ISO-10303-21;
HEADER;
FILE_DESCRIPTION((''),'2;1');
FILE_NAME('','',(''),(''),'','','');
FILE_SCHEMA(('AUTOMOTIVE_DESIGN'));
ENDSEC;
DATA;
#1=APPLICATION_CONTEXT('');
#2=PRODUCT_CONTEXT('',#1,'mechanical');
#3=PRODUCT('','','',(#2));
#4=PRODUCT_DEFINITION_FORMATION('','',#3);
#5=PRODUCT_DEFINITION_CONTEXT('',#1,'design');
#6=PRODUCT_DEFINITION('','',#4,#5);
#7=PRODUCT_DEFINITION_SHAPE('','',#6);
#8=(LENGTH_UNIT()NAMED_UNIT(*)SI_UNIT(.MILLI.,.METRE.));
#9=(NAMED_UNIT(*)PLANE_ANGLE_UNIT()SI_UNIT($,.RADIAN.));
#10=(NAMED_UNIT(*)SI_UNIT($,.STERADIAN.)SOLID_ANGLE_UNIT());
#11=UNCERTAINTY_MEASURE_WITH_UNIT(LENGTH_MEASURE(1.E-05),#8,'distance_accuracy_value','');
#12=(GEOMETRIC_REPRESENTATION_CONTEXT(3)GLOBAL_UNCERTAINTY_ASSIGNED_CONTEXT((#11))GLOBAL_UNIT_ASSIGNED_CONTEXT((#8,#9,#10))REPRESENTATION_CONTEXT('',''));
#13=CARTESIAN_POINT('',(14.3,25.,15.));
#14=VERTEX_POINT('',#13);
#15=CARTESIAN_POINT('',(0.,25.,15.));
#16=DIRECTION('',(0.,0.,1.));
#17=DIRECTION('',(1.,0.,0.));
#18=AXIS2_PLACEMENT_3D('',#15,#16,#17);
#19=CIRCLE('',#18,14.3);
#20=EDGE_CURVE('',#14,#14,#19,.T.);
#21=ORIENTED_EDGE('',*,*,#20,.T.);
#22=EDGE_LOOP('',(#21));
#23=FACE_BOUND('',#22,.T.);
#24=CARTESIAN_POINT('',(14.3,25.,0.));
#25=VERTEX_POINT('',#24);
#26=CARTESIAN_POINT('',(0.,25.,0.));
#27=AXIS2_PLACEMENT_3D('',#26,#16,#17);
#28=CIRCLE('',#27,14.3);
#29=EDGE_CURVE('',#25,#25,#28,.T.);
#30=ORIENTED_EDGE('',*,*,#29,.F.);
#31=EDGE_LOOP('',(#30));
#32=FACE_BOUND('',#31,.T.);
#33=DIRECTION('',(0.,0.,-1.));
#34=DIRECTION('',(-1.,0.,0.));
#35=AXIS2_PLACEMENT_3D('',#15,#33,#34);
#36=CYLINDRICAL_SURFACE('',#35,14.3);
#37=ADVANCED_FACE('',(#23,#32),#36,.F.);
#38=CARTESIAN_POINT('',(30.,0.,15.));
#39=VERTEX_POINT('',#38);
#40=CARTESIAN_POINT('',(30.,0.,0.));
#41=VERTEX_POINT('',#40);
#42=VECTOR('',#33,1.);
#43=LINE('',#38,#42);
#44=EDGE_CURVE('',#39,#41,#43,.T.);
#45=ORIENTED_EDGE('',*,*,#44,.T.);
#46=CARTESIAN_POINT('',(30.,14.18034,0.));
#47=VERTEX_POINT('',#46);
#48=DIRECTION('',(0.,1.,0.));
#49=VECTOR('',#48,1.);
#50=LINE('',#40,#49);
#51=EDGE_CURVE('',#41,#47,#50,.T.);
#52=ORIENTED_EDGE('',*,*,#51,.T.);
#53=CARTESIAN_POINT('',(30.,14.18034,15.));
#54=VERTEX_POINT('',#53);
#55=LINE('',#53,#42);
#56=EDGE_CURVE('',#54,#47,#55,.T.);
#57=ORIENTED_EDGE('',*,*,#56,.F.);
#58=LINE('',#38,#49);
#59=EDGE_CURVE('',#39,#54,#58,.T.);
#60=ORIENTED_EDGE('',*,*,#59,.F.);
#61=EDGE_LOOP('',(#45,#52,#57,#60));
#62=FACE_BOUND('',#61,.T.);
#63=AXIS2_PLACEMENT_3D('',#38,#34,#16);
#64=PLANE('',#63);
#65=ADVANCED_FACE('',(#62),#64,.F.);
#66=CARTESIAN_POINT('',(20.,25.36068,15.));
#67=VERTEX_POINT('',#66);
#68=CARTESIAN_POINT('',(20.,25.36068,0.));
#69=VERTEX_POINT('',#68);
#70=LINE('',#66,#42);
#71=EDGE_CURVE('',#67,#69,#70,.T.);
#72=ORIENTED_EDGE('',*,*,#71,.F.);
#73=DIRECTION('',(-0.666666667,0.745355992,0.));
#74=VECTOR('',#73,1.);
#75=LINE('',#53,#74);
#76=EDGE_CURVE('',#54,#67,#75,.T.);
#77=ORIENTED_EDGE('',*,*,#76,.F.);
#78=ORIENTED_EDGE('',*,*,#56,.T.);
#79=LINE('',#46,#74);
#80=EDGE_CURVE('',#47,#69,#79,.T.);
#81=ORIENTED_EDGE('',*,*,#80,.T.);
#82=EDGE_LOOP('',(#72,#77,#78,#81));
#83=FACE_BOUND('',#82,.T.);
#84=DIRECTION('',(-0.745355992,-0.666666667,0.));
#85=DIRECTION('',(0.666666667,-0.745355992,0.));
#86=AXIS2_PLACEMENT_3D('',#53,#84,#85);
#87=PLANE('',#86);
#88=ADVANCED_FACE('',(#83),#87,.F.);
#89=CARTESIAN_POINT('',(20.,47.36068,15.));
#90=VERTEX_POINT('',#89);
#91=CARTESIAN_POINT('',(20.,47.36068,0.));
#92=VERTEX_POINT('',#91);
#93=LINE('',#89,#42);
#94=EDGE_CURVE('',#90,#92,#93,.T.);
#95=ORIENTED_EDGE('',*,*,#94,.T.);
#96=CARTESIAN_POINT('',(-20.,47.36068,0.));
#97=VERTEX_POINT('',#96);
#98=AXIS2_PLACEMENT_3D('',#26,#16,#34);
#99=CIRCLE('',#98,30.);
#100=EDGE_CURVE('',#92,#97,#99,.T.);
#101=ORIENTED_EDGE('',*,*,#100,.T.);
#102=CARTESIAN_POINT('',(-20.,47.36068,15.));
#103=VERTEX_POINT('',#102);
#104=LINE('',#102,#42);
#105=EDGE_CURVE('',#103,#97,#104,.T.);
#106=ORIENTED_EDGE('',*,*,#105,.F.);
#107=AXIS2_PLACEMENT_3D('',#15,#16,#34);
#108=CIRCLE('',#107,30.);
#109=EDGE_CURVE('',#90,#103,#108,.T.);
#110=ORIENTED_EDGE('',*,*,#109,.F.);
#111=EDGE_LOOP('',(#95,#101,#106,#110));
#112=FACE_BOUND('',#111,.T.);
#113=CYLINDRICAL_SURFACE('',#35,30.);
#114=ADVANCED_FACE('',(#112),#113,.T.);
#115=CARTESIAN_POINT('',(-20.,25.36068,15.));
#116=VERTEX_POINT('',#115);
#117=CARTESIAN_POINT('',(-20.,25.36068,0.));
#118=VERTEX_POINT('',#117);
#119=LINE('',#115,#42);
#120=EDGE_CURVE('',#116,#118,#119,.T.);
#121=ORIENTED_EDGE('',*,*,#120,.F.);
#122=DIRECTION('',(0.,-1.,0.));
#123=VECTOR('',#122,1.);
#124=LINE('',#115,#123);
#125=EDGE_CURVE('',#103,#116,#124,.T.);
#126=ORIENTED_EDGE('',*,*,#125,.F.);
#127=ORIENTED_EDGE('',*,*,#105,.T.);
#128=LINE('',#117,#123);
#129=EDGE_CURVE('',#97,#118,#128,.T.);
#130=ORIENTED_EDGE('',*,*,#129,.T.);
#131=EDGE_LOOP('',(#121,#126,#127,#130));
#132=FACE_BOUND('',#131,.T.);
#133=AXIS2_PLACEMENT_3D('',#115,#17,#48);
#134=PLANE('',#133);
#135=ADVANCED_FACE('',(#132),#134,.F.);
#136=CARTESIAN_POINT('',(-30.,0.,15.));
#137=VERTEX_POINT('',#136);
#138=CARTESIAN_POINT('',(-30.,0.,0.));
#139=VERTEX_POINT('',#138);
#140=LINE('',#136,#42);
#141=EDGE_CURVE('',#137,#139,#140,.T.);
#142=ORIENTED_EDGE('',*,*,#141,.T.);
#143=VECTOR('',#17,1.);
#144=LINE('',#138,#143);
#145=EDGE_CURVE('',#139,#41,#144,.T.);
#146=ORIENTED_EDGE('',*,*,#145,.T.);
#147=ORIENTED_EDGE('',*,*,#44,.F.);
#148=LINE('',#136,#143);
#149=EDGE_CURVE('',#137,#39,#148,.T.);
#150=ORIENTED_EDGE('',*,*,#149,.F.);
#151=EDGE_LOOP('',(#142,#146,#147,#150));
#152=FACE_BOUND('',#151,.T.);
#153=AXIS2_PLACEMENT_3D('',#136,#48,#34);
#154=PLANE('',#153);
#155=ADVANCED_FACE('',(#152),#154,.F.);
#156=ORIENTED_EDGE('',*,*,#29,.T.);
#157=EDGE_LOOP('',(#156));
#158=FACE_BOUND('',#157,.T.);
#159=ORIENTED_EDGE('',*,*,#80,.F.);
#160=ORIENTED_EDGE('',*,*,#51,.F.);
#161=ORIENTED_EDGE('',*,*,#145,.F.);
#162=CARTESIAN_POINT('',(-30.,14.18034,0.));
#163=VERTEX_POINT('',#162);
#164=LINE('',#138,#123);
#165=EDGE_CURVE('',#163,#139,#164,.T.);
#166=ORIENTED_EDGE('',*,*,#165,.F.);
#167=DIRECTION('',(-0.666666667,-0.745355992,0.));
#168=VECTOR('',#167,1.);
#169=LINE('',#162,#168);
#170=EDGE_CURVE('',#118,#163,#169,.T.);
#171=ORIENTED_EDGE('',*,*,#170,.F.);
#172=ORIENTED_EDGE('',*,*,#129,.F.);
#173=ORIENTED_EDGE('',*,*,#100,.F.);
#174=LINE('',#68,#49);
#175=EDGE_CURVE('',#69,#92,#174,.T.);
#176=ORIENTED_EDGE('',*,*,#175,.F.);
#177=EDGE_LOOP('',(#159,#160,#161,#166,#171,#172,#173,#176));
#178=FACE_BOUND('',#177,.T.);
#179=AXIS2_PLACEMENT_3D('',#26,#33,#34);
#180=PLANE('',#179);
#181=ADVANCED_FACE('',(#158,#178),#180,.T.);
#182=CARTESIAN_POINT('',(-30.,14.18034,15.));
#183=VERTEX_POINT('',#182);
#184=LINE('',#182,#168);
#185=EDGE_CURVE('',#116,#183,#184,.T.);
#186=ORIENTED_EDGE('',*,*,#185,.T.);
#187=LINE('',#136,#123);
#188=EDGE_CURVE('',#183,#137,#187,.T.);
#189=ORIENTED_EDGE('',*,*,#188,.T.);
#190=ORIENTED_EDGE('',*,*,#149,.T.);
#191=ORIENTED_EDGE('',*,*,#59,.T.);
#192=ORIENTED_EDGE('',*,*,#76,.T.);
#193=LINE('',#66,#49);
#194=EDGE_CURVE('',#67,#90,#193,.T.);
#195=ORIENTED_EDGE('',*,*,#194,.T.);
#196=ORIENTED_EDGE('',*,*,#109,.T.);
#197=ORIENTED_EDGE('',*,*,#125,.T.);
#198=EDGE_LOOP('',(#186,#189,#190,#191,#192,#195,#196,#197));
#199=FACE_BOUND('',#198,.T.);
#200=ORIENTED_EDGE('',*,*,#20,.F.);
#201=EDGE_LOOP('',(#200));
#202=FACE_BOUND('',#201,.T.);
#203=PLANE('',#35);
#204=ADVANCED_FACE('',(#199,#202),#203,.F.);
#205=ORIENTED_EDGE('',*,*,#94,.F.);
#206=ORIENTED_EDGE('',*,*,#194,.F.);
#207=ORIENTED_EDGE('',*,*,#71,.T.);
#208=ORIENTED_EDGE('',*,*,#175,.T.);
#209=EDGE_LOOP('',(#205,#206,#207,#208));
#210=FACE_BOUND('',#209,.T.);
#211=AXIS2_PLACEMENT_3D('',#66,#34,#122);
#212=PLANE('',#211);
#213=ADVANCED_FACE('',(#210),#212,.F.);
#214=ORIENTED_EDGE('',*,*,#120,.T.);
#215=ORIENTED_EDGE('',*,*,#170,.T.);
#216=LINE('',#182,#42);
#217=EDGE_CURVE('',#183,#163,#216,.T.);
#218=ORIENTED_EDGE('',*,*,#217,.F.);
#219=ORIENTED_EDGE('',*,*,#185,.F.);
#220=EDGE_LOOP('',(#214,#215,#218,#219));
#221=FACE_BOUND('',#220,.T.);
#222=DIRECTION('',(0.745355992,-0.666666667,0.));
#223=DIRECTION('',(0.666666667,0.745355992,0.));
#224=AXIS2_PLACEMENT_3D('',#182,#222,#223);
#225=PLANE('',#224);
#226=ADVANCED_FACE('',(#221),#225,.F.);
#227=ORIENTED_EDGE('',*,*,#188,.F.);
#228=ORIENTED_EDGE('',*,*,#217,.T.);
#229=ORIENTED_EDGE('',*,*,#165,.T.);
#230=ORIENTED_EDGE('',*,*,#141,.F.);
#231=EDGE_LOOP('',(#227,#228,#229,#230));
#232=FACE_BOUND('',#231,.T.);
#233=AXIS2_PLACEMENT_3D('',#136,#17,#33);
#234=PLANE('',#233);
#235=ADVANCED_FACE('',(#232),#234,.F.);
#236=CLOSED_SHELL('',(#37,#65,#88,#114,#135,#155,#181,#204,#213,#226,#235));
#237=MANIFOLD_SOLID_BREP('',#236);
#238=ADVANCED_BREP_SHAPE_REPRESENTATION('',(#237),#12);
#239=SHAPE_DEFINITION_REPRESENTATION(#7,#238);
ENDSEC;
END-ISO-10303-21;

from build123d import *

# Parameters (mm, degrees)
SKETCH1_R           = 14.3
BOSS_EXTRUDE1_DEPTH = 15


with BuildPart() as part:
    # Sketch1 → Boss-Extrude1 (new body)
    with BuildSketch(Plane.XY):
        with BuildLine():
            Line((-30, 0), (30, 0))
            Line((30, 0), (30, 14.180339887))
            Line((30, 14.180339887), (20, 25.360679775))
            Line((20, 25.360679775), (20, 47.360679775))
            ThreePointArc((20, 47.360679775), (0, 55), (-20, 47.360679775))
            Line((-20, 47.360679775), (-20, 25.360679775))
            Line((-20, 25.360679775), (-30, 14.180339887))
            Line((-30, 14.180339887), (-30, 0))
        make_face()
        with Locations((0, 25)):
            Circle(SKETCH1_R, mode=Mode.SUBTRACT)
    extrude(amount=BOSS_EXTRUDE1_DEPTH)


solid = part.part
